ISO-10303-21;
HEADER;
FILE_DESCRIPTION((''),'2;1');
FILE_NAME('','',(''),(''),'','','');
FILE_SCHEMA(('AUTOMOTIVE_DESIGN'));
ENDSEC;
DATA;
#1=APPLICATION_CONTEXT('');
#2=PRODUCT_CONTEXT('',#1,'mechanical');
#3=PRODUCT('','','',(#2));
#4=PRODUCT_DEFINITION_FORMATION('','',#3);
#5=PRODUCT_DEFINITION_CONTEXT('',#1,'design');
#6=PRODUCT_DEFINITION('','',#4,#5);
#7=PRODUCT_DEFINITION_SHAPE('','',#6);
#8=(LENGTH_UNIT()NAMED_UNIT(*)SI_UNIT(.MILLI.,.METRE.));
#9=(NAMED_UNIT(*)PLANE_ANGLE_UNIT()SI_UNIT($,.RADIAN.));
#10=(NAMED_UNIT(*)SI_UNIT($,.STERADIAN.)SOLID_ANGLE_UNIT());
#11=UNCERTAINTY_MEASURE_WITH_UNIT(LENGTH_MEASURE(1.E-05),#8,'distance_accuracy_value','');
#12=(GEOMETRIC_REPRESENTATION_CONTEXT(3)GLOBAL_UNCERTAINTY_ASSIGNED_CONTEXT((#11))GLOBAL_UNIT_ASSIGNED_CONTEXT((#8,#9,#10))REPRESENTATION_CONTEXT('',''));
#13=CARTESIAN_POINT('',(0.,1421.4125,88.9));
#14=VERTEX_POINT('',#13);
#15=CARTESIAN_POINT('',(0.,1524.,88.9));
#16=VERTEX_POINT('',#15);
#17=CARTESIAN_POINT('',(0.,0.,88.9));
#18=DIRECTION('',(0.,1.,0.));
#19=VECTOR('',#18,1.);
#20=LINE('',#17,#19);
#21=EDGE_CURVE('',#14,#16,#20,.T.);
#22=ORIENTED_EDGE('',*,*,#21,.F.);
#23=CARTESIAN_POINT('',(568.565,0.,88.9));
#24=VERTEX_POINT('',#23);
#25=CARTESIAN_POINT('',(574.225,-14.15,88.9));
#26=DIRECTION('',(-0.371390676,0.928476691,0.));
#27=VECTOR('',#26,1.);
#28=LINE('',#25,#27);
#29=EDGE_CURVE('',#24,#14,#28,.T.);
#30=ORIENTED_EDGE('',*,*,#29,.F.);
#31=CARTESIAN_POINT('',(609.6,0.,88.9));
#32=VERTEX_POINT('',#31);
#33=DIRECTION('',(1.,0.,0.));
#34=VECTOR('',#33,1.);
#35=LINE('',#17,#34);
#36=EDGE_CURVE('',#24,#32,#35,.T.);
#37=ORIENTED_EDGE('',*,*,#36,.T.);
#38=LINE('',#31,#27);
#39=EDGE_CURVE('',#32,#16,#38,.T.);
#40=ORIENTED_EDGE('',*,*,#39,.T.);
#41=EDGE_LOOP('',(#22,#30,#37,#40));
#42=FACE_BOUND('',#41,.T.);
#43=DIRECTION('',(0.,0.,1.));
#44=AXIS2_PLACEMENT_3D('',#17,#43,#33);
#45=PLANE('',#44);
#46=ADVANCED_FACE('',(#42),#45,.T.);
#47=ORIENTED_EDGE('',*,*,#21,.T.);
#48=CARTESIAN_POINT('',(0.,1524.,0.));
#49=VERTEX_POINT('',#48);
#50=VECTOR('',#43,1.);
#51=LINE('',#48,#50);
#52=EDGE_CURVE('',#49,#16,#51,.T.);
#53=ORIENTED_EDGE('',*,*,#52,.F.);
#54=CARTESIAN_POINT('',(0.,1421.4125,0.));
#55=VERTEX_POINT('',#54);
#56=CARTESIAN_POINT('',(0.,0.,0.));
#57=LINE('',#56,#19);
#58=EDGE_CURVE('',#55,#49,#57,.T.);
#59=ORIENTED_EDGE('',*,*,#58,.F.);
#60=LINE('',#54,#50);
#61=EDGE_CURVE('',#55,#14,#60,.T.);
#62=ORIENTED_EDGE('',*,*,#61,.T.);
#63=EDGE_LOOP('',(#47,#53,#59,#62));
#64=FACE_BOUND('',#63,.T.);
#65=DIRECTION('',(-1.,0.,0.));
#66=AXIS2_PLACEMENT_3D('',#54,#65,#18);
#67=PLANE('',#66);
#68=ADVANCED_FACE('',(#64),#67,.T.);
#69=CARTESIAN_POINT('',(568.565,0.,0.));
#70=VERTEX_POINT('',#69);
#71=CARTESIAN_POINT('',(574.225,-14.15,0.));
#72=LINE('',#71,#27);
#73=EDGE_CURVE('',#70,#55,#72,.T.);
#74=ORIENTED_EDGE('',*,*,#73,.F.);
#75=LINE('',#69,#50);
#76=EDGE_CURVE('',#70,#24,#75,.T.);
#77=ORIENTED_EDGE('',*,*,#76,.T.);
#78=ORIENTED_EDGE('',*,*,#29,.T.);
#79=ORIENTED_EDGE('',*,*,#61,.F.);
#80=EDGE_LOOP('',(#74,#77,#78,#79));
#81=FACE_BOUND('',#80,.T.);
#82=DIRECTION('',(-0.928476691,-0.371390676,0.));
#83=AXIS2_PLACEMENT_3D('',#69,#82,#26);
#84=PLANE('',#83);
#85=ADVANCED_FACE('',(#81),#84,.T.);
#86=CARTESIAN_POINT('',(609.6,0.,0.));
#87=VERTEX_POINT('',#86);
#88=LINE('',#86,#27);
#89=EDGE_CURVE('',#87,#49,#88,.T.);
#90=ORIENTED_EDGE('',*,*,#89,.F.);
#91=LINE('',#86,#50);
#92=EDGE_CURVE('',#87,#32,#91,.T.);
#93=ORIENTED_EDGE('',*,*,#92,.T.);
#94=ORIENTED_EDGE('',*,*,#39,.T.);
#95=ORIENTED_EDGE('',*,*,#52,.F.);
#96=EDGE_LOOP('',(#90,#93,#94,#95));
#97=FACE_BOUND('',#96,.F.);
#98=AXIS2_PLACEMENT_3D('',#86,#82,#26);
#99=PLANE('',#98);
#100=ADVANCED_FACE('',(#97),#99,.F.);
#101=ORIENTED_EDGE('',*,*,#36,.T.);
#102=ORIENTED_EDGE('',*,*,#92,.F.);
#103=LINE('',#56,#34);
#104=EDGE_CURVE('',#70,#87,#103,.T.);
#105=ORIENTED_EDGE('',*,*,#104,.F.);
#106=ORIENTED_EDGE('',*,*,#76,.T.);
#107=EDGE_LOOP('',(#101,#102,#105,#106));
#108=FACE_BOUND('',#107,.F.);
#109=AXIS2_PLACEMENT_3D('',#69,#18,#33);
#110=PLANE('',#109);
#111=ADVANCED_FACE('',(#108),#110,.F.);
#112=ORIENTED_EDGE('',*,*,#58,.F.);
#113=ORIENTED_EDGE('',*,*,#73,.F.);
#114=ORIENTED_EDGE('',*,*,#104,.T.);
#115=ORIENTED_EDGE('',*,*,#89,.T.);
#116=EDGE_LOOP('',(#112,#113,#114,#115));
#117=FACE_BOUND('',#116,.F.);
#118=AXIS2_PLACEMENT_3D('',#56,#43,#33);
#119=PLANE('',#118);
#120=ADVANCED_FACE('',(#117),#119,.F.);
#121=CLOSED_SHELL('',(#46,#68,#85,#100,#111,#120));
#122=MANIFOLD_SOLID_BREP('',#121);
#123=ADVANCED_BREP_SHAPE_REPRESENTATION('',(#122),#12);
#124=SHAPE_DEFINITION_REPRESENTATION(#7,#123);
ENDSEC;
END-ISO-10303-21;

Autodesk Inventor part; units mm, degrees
ref_plane "YZ Plane" through (0, 0, 0) normal (1, 0, 0) x (0, 1, 0)
ref_plane "XZ Plane" through (0, 0, 0) normal (0, 1, 0) x (-1, 0, 0)
ref_plane "XY Plane" through (0, 0, 0) normal (0, 0, 1) x (1, 0, 0)
sketch "Sketch1" plane through (0, 0, 0) normal (0, 0, 1) x (1, 0, 0)
  line L0 (0, 0) -> (0, 1524)
  line L1 (0, 0) -> (609.6, 0)
  line L2 (609.6, 0) -> (0, 1524)
  line L3 (609.6, 0) -> (574.225, -14.15)
  line L4 (0, 1524) -> (-35.375, 1509.85)
  line L5 (574.225, -14.15) -> (-35.375, 1509.85)
  point P0 (0, 1421.4126)
  point P1 (568.565, 0)
  dimension "d0" = 1524
  dimension "d1" = 609.6
  dimension "d2" = 38.1
  dimension "d3" = 38.1
  dimension "d4" = 90
  dimension "d5" = 90
extrude "Extrusion1" add sketch "Sketch1" along normal blind 88.9 contours L0 L2 L1 L5
